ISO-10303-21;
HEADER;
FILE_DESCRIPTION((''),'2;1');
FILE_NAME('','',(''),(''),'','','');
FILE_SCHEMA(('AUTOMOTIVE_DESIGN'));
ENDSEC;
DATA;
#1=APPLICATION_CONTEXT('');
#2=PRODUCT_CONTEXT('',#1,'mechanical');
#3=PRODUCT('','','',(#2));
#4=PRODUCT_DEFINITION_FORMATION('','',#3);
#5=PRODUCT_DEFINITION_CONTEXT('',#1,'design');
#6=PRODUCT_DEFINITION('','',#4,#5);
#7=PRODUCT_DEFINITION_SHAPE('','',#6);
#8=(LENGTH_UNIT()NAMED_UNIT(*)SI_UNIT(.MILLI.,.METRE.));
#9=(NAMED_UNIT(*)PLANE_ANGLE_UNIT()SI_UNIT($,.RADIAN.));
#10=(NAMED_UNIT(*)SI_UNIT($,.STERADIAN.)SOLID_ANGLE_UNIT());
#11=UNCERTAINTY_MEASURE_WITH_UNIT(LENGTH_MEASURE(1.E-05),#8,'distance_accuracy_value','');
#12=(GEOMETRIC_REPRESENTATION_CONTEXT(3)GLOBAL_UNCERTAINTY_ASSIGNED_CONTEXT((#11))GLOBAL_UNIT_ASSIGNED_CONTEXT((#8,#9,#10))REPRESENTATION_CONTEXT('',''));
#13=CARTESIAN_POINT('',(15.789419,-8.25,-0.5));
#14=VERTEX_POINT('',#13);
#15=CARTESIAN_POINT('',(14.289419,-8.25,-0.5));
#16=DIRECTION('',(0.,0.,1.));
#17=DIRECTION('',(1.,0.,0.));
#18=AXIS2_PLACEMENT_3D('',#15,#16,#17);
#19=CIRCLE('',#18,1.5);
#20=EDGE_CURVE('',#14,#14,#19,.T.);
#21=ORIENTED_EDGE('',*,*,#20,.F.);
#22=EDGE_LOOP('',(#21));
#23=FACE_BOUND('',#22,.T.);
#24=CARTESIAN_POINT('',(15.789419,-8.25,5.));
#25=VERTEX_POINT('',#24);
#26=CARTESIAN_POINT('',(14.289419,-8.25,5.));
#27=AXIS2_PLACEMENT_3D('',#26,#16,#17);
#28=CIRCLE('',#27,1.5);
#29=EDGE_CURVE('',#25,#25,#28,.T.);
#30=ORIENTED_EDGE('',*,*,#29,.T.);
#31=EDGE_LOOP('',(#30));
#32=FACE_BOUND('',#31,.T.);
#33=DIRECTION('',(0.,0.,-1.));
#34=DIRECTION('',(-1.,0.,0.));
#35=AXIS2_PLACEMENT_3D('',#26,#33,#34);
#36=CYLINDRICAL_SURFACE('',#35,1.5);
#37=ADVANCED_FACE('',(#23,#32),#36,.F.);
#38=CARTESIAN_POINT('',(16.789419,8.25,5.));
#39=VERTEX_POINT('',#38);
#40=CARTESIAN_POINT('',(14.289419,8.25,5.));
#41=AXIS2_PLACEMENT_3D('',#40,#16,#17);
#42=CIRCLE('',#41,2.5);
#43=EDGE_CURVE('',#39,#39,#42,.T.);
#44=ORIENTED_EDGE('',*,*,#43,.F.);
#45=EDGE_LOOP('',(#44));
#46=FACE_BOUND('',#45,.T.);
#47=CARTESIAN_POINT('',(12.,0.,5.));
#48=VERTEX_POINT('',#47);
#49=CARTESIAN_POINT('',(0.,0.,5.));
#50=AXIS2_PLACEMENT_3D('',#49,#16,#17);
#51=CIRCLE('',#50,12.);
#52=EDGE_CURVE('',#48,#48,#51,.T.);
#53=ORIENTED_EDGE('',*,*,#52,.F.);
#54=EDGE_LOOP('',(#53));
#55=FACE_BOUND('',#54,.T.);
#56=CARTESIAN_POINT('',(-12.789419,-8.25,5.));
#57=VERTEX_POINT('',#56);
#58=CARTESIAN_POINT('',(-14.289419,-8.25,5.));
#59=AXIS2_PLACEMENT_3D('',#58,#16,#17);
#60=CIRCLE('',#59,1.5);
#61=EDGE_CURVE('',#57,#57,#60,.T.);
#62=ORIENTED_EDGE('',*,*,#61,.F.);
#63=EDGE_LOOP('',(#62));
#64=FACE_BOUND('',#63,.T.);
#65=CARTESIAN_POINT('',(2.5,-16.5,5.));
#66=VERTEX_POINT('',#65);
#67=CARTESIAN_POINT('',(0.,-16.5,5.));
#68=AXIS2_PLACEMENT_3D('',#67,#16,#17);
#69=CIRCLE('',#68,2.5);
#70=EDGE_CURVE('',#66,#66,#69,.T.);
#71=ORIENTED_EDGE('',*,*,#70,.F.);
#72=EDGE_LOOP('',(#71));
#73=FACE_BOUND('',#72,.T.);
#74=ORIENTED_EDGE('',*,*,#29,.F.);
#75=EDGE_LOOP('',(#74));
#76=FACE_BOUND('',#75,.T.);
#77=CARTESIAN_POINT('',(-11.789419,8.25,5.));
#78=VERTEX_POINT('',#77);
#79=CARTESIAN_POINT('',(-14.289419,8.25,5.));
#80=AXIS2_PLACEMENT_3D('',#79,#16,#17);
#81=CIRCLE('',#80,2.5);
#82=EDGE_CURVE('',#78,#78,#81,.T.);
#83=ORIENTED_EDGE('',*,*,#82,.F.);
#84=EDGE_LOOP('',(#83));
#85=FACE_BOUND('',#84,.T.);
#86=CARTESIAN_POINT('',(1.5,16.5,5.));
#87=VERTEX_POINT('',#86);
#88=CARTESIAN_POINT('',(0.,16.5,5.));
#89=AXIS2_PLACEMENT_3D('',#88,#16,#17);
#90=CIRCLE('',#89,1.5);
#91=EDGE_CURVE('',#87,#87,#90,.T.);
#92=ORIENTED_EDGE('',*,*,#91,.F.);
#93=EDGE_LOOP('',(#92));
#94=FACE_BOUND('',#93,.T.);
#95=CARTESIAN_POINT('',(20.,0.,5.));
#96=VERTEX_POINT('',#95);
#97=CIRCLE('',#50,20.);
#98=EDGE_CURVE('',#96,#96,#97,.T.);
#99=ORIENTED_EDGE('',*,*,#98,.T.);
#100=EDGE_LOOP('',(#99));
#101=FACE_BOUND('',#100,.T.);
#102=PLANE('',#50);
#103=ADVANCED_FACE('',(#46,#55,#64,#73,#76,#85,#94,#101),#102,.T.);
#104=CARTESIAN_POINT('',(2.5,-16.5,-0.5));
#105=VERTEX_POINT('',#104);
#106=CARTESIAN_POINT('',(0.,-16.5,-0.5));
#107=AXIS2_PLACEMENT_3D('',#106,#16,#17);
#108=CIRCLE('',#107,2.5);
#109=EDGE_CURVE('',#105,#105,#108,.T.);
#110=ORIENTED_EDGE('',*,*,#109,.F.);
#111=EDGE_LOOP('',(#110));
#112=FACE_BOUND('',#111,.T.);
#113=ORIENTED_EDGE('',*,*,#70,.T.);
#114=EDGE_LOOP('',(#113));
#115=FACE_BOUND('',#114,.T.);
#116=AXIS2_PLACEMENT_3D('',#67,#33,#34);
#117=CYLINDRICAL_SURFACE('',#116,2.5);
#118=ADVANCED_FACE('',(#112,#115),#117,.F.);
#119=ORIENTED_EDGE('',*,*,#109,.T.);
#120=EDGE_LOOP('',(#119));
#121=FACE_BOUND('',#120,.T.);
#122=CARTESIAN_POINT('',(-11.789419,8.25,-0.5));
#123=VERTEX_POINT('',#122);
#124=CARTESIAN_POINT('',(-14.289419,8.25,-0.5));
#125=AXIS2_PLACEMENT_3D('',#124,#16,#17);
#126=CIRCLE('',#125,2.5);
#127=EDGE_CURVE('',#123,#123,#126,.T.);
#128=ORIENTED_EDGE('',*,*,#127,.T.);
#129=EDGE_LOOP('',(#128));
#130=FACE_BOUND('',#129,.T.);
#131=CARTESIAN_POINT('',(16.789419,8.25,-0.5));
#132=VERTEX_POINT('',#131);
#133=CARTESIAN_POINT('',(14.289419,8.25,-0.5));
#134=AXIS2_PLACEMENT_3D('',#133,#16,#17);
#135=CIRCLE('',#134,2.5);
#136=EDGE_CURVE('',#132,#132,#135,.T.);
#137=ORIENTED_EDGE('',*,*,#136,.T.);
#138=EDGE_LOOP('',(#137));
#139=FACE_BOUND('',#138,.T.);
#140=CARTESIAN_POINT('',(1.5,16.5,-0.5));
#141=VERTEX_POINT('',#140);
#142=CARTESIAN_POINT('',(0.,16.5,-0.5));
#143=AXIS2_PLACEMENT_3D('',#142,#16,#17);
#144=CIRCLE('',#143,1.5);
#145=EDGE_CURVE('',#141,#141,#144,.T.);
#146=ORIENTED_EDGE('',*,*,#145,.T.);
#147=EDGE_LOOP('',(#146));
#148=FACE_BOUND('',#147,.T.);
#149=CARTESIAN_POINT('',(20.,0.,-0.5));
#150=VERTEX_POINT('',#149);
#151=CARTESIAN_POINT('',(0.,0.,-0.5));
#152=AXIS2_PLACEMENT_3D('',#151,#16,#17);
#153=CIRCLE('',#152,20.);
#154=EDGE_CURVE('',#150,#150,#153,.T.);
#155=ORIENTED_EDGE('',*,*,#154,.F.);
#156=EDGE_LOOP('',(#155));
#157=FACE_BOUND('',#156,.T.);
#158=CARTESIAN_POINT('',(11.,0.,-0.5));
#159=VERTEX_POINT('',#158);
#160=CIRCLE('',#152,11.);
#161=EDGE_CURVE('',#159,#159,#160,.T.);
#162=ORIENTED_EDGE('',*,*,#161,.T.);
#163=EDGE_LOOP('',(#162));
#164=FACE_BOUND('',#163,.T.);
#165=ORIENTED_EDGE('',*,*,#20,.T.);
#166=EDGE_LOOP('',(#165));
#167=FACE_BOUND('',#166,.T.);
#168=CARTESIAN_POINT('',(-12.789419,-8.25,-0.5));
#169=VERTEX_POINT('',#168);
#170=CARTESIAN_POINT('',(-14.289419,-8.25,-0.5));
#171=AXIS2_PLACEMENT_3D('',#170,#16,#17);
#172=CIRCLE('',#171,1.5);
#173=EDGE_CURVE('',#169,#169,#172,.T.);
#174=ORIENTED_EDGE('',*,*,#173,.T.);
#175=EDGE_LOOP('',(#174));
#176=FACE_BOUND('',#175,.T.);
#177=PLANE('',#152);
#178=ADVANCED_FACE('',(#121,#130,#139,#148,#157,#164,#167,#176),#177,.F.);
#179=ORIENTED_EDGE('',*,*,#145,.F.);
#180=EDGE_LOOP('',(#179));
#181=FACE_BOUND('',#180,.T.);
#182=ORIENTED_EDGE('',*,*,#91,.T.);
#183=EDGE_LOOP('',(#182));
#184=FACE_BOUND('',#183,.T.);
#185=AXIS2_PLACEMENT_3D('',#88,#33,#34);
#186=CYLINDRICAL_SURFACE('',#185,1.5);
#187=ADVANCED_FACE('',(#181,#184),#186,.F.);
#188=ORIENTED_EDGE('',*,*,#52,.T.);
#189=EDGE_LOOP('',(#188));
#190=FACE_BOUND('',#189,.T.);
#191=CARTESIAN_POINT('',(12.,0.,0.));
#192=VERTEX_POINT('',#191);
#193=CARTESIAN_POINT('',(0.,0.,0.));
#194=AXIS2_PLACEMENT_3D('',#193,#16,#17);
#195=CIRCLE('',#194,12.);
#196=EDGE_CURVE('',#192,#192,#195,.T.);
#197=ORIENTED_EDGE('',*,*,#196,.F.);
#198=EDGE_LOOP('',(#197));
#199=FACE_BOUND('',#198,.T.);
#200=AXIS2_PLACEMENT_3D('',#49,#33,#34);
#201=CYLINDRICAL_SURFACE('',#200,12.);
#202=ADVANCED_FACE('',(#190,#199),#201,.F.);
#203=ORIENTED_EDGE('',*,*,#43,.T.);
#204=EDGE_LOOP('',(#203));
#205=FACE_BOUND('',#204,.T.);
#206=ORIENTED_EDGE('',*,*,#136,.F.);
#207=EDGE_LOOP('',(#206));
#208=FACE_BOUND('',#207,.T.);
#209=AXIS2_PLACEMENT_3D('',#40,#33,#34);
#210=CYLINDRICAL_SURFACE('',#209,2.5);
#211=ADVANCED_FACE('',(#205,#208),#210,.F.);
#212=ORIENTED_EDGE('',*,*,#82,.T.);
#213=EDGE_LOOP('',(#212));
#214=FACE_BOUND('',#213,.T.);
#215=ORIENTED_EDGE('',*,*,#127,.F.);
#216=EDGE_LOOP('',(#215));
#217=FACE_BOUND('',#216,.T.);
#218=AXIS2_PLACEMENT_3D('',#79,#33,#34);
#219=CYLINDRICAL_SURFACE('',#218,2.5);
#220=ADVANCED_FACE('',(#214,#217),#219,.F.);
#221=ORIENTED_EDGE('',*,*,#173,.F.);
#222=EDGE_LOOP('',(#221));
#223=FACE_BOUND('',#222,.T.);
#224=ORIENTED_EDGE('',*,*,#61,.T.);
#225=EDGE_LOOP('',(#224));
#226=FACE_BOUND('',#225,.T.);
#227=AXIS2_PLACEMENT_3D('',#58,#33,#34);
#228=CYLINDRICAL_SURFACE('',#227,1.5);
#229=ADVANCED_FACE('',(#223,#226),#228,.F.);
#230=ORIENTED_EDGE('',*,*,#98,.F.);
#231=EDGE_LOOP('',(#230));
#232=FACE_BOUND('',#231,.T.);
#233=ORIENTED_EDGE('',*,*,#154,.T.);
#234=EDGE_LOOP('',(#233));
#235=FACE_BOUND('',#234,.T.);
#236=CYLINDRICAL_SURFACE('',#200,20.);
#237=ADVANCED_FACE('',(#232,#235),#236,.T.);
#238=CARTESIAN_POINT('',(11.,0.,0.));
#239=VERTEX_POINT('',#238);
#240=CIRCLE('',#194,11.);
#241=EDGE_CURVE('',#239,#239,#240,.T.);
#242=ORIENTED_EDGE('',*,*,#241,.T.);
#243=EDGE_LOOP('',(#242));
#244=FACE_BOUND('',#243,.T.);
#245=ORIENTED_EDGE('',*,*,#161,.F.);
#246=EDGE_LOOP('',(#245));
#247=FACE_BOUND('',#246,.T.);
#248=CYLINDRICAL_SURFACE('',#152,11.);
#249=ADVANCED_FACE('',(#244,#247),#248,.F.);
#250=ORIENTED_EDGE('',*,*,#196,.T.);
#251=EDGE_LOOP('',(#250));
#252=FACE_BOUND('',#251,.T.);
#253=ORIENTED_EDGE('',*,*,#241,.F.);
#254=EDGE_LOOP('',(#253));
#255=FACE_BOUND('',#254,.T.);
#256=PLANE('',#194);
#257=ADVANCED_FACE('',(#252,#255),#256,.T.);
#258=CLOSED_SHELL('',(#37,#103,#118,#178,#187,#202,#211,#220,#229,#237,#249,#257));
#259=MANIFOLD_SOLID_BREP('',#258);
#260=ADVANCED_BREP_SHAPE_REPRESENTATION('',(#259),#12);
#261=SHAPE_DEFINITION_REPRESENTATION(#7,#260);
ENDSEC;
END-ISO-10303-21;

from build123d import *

# Parameters (mm, degrees)
SKETCH1_R           = 20
SKETCH1_R_2         = 1.5
SKETCH1_R_3         = 2.5
SKETCH1_R_4         = 12
BOSS_EXTRUDE1_DEPTH = 5
BOSS_EXTRUDE2_START = -0.5
SKETCH1_3_R         = 20
SKETCH1_3_R_2       = 11
SKETCH1_3_R_3       = 1.5
SKETCH1_3_R_4       = 2.5
BOSS_EXTRUDE2_DEPTH = 0.5


with BuildPart() as part:
    # Sketch1 → Boss-Extrude1 (new body)
    with BuildSketch(Plane.XY):
        Circle(SKETCH1_R)
        with Locations((-14.289419162, -8.25)):
            Circle(SKETCH1_R_2, mode=Mode.SUBTRACT)
        with Locations((0, -16.5)):
            Circle(SKETCH1_R_3, mode=Mode.SUBTRACT)
        with Locations((14.289419162, -8.25)):
            Circle(SKETCH1_R_2, mode=Mode.SUBTRACT)
        with Locations((-14.289419162, 8.25)):
            Circle(SKETCH1_R_3, mode=Mode.SUBTRACT)
        Circle(SKETCH1_R_4, mode=Mode.SUBTRACT)
        with Locations((14.289419162, 8.25)):
            Circle(SKETCH1_R_3, mode=Mode.SUBTRACT)
        with Locations((0, 16.5)):
            Circle(SKETCH1_R_2, mode=Mode.SUBTRACT)
    extrude(amount=BOSS_EXTRUDE1_DEPTH)

    # Sketch1<3> → Boss-Extrude2 (add)
    with BuildSketch(Plane.XY.offset(BOSS_EXTRUDE2_START)):
        Circle(SKETCH1_3_R)
        Circle(SKETCH1_3_R_2, mode=Mode.SUBTRACT)
        with Locations((-14.289419162, -8.25)):
            Circle(SKETCH1_3_R_3, mode=Mode.SUBTRACT)
        with Locations((0, -16.5)):
            Circle(SKETCH1_3_R_4, mode=Mode.SUBTRACT)
        with Locations((14.289419162, -8.25)):
            Circle(SKETCH1_3_R_3, mode=Mode.SUBTRACT)
        with Locations((-14.289419162, 8.25)):
            Circle(SKETCH1_3_R_4, mode=Mode.SUBTRACT)
        with Locations((0, 16.5)):
            Circle(SKETCH1_3_R_3, mode=Mode.SUBTRACT)
        with Locations((14.289419162, 8.25)):
            Circle(SKETCH1_3_R_4, mode=Mode.SUBTRACT)
    extrude(amount=BOSS_EXTRUDE2_DEPTH)


solid = part.part
